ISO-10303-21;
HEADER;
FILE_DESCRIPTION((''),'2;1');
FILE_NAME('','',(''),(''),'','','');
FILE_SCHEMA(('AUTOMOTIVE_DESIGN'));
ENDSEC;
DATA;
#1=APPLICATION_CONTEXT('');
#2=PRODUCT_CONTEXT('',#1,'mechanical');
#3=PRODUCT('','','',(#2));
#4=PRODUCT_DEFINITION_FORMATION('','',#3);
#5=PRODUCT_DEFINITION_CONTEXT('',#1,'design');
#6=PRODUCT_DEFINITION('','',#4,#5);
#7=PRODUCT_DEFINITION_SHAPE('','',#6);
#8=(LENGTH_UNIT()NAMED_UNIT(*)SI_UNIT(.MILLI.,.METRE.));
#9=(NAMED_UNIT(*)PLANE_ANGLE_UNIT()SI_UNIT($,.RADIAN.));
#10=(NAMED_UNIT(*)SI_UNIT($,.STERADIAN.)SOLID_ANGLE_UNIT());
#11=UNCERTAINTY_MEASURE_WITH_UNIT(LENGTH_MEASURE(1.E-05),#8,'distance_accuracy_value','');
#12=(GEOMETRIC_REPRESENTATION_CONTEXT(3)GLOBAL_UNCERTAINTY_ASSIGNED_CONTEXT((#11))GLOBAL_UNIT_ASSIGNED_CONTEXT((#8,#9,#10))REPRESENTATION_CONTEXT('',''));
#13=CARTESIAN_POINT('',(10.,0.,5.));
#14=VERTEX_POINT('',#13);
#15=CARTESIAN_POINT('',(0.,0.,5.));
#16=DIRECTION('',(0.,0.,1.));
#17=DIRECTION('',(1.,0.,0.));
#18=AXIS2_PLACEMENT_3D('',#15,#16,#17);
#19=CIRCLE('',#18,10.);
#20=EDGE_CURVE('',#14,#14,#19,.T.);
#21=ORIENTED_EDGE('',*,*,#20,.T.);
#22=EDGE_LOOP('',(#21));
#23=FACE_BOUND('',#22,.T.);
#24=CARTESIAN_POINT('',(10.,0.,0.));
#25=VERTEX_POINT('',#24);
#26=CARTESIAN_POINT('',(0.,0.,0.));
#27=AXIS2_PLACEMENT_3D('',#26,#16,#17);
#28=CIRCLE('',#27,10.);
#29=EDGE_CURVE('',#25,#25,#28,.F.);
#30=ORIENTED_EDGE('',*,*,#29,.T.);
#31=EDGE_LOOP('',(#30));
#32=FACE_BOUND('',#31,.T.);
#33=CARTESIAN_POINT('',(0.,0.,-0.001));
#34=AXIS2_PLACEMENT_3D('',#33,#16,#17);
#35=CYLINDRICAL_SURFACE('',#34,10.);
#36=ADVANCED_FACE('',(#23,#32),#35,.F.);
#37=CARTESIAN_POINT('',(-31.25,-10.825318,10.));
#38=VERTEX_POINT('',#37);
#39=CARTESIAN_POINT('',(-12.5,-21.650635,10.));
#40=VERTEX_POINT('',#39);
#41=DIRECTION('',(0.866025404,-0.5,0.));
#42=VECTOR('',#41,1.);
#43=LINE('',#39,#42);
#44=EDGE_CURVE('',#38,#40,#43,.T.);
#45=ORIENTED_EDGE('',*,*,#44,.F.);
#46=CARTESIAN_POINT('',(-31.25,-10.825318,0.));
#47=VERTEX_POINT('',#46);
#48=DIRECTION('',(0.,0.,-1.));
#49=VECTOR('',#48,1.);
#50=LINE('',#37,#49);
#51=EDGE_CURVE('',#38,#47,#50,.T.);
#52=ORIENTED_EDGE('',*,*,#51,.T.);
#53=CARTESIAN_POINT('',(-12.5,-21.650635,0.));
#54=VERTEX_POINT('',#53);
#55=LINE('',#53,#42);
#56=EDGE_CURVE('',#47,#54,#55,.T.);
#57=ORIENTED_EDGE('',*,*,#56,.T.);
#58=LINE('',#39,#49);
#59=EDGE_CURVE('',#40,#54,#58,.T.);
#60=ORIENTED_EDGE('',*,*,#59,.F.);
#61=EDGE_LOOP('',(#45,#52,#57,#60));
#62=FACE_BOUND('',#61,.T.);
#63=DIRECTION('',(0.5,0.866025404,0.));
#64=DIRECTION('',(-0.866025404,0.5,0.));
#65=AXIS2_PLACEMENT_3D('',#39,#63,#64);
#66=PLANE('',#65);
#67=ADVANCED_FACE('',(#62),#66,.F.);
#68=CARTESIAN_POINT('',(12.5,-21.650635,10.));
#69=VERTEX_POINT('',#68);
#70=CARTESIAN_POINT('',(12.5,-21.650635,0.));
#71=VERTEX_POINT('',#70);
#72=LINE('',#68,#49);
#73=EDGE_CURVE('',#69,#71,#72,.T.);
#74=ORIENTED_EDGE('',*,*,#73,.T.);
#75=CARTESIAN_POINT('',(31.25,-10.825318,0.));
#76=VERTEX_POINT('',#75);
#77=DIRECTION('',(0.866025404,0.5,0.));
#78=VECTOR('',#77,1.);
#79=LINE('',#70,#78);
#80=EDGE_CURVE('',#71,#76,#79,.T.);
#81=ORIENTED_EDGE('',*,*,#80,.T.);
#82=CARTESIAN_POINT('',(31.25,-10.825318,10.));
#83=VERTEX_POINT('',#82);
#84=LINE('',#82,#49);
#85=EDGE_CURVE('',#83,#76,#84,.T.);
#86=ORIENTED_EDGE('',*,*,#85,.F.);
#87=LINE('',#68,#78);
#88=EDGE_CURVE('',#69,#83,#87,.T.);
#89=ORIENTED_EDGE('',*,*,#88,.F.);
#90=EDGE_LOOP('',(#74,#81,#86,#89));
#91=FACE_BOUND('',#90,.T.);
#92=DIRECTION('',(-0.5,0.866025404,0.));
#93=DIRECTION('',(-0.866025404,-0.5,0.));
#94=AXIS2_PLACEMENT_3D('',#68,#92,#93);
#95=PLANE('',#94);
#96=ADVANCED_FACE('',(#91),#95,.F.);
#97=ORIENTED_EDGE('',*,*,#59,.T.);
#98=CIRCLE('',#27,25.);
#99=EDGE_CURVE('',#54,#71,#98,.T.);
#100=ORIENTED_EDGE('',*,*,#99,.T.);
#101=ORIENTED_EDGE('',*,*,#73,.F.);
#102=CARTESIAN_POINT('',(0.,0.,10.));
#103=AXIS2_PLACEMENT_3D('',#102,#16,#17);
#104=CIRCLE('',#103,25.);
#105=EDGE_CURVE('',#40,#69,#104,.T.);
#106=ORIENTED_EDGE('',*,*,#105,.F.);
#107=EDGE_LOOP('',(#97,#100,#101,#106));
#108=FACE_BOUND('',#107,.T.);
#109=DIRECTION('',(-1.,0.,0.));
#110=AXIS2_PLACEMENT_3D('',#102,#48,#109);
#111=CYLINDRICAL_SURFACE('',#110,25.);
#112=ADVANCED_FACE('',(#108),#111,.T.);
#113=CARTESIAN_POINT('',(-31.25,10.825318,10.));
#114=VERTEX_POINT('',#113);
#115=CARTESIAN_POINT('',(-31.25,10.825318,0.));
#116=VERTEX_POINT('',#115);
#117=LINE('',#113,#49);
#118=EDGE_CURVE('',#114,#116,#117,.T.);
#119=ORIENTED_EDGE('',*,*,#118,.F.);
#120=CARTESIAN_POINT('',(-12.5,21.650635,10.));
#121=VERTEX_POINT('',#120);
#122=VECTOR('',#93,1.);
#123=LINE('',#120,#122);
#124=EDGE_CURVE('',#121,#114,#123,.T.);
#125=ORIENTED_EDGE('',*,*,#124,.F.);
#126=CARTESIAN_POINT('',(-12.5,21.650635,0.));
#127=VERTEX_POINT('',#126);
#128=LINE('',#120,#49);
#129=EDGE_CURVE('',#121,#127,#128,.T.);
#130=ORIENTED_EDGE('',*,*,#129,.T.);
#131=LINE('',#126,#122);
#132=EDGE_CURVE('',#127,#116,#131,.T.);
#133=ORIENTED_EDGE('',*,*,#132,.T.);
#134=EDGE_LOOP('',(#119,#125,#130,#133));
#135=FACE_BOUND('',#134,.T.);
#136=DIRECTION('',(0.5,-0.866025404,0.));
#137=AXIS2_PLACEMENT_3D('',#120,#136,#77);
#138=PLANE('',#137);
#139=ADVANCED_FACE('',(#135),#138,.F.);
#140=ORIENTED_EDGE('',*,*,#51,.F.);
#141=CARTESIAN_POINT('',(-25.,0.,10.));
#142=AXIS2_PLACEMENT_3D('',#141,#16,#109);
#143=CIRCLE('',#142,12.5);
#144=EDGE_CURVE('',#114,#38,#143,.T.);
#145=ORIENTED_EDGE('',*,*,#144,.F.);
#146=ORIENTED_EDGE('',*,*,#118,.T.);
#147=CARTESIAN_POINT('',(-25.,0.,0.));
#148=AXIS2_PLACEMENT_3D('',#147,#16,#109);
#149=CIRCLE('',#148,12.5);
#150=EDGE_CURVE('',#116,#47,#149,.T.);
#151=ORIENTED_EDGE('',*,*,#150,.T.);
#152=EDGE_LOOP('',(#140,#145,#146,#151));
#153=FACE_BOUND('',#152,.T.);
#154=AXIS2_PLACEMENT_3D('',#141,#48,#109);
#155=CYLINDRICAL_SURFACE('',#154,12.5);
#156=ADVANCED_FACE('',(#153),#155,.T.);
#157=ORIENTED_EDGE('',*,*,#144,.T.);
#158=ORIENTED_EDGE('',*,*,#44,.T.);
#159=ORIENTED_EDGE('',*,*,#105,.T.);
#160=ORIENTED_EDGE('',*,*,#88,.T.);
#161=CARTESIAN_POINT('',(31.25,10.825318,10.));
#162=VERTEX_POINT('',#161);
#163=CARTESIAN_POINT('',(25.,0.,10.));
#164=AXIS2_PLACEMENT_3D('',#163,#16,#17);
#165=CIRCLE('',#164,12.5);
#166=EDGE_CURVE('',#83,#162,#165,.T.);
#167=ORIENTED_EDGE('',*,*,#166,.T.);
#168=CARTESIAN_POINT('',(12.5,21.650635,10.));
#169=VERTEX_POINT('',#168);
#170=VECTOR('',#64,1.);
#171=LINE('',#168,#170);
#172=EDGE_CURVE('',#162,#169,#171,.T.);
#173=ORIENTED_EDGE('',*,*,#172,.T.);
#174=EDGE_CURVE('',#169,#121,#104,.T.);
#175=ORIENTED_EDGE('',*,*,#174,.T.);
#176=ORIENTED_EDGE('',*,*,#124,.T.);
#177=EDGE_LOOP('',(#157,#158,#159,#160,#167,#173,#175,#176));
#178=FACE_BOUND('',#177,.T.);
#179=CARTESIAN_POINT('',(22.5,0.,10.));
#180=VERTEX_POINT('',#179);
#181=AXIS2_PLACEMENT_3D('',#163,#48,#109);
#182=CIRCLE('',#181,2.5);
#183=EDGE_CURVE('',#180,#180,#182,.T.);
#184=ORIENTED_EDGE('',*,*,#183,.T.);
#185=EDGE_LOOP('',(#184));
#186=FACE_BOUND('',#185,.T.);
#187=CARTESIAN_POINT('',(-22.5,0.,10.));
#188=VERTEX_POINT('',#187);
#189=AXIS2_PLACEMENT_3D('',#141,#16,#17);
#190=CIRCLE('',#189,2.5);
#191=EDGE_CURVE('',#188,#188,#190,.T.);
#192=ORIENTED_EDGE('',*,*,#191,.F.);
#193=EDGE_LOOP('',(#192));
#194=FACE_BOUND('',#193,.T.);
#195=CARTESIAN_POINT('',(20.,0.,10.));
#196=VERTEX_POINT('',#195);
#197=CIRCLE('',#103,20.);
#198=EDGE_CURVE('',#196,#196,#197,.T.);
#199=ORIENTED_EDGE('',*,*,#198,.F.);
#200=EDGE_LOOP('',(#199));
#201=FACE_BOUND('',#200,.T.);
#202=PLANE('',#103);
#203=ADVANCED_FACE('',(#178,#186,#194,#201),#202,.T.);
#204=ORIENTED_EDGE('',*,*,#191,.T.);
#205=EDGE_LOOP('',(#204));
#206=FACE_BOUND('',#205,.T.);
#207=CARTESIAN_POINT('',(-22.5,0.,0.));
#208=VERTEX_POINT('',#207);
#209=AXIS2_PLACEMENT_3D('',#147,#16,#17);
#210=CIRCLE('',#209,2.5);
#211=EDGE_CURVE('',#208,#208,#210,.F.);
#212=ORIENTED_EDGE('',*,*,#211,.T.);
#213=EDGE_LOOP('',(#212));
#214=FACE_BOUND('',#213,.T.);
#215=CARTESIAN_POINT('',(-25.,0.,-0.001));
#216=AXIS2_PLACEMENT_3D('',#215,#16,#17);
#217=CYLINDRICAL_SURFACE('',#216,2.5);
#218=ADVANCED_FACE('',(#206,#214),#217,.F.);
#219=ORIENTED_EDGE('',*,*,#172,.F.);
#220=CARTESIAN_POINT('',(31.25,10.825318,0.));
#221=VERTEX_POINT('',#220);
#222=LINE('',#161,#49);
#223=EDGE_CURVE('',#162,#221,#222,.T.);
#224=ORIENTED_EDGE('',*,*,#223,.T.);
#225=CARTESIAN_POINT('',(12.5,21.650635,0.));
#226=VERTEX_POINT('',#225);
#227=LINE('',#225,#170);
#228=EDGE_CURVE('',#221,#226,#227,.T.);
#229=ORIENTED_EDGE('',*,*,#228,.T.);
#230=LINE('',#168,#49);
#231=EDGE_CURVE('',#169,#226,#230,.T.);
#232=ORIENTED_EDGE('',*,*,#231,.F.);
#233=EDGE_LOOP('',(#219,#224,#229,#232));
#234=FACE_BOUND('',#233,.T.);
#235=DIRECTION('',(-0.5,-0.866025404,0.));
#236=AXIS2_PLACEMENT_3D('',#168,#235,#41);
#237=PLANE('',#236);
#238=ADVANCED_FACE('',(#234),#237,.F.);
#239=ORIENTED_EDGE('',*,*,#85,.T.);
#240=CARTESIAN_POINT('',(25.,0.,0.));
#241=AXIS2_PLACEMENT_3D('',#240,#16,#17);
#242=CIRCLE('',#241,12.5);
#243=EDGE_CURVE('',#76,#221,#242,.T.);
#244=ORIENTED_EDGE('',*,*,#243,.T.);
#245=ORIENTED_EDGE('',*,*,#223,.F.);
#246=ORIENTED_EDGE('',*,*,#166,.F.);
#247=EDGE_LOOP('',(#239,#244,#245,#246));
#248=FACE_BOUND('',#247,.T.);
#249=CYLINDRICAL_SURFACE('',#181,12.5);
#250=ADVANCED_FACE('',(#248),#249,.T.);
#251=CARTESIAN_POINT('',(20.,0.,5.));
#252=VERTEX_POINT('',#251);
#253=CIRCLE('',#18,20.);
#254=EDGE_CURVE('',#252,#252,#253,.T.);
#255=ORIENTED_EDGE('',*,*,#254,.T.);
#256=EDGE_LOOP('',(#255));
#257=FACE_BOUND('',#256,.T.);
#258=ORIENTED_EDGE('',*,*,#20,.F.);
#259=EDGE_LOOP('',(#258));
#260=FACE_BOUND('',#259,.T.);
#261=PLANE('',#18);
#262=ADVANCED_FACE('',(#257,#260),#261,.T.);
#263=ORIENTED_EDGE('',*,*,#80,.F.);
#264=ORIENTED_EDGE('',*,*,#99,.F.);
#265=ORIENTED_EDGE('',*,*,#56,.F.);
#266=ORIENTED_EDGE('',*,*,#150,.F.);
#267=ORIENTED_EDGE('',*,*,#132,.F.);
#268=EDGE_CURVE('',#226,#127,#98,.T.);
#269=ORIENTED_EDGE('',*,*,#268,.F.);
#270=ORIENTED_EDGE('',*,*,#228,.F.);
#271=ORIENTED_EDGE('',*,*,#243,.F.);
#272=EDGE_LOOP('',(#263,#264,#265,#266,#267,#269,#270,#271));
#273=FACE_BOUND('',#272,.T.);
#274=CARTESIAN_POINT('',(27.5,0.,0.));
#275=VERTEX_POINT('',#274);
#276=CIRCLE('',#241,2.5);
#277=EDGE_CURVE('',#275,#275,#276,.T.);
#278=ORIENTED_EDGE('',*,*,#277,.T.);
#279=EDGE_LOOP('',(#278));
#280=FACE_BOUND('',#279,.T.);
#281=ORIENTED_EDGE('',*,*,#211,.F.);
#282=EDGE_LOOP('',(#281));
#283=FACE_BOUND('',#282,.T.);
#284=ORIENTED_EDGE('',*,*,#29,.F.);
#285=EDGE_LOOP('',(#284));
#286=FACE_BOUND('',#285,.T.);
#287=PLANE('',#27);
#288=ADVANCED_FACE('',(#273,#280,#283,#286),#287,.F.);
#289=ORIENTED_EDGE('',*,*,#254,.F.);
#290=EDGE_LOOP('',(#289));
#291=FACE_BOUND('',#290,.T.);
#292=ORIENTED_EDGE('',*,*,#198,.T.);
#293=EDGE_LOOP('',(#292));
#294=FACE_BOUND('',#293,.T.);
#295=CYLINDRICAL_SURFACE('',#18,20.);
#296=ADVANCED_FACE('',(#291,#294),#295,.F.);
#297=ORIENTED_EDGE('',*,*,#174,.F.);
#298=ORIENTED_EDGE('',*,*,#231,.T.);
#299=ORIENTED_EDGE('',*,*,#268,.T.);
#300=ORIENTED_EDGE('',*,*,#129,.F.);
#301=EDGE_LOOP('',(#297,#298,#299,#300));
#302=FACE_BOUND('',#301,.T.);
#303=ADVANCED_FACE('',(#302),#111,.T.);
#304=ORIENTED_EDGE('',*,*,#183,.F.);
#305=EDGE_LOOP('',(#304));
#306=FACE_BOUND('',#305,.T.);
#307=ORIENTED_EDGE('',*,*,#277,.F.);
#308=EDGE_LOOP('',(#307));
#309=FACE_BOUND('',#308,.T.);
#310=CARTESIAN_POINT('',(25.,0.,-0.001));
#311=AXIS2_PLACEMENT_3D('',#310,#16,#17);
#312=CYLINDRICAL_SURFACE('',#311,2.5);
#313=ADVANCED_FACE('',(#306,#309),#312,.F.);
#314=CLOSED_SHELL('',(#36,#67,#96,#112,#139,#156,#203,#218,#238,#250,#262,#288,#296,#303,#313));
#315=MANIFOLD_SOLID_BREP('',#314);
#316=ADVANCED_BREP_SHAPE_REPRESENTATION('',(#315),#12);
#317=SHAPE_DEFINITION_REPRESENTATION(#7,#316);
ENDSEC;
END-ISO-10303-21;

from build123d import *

# Parameters (mm, degrees)
EXTRUDE_1_DEPTH     = 10
SKETCH_2_R          = 20
CUT_EXTRUDE_1_DEPTH = 5
CUT_EXTRUDE_2_REACH = 47.346
SKETCH_3_R          = 10
CUT_EXTRUDE_3_REACH = 48.165
SKETCH_4_R          = 2.5


with BuildPart() as part:
    # 草图1 → 凸台-拉伸1 (new body)
    with BuildSketch(Plane.XY):
        with BuildLine():
            Line((12.5, 21.650635095), (31.25, 10.825317547))
            ThreePointArc((31.25, 10.825317547), (37.5, 0), (31.25, -10.825317547))
            Line((31.25, -10.825317547), (12.5, -21.650635095))
            ThreePointArc((12.5, -21.650635095), (0, -25), (-12.5, -21.650635095))
            Line((-12.5, -21.650635095), (-31.25, -10.825317547))
            ThreePointArc((-31.25, -10.825317547), (-37.5, 0), (-31.25, 10.825317547))
            Line((-31.25, 10.825317547), (-12.5, 21.650635095))
            ThreePointArc((-12.5, 21.650635095), (0, 25), (12.5, 21.650635095))
        make_face()
    extrude(amount=EXTRUDE_1_DEPTH)

    # 草图2 → 切除-拉伸1 (cut)
    with BuildSketch(Plane.XY.offset(10)):
        Circle(SKETCH_2_R)
    extrude(amount=-CUT_EXTRUDE_1_DEPTH, mode=Mode.SUBTRACT)

    # 草图3 → 切除-拉伸2 (cut, up to next)
    with BuildSketch(Plane.XY.offset(5), mode=Mode.PRIVATE) as cut_extrude_2_sk1:
        Circle(SKETCH_3_R)
    cut_extrude_2_tool1 = extrude(cut_extrude_2_sk1.sketch, amount=-CUT_EXTRUDE_2_REACH, mode=Mode.PRIVATE) & part.part
    add(cut_extrude_2_tool1.solids().sort_by_distance((0, 0, 5))[0], mode=Mode.SUBTRACT)

    # 草图4 → 切除-拉伸3 (cut, up to next)
    with BuildSketch(Plane.XY.offset(10), mode=Mode.PRIVATE) as cut_extrude_3_sk1:
        with Locations((-25, 0)):
            Circle(SKETCH_4_R)
    cut_extrude_3_tool1 = extrude(cut_extrude_3_sk1.sketch, amount=-CUT_EXTRUDE_3_REACH, mode=Mode.PRIVATE) & part.part
    cut_extrude_3 = cut_extrude_3_tool1.solids().sort_by_distance((-25, 0, 10))[0]
    add(cut_extrude_3, mode=Mode.SUBTRACT)

    # 镜向1: 切除-拉伸3 across plane
    add(cut_extrude_3.mirror(Plane(origin=(0, 0, 0), x_dir=(0, 0, 1), z_dir=(1, 0, 0))), mode=Mode.SUBTRACT)


solid = part.part
